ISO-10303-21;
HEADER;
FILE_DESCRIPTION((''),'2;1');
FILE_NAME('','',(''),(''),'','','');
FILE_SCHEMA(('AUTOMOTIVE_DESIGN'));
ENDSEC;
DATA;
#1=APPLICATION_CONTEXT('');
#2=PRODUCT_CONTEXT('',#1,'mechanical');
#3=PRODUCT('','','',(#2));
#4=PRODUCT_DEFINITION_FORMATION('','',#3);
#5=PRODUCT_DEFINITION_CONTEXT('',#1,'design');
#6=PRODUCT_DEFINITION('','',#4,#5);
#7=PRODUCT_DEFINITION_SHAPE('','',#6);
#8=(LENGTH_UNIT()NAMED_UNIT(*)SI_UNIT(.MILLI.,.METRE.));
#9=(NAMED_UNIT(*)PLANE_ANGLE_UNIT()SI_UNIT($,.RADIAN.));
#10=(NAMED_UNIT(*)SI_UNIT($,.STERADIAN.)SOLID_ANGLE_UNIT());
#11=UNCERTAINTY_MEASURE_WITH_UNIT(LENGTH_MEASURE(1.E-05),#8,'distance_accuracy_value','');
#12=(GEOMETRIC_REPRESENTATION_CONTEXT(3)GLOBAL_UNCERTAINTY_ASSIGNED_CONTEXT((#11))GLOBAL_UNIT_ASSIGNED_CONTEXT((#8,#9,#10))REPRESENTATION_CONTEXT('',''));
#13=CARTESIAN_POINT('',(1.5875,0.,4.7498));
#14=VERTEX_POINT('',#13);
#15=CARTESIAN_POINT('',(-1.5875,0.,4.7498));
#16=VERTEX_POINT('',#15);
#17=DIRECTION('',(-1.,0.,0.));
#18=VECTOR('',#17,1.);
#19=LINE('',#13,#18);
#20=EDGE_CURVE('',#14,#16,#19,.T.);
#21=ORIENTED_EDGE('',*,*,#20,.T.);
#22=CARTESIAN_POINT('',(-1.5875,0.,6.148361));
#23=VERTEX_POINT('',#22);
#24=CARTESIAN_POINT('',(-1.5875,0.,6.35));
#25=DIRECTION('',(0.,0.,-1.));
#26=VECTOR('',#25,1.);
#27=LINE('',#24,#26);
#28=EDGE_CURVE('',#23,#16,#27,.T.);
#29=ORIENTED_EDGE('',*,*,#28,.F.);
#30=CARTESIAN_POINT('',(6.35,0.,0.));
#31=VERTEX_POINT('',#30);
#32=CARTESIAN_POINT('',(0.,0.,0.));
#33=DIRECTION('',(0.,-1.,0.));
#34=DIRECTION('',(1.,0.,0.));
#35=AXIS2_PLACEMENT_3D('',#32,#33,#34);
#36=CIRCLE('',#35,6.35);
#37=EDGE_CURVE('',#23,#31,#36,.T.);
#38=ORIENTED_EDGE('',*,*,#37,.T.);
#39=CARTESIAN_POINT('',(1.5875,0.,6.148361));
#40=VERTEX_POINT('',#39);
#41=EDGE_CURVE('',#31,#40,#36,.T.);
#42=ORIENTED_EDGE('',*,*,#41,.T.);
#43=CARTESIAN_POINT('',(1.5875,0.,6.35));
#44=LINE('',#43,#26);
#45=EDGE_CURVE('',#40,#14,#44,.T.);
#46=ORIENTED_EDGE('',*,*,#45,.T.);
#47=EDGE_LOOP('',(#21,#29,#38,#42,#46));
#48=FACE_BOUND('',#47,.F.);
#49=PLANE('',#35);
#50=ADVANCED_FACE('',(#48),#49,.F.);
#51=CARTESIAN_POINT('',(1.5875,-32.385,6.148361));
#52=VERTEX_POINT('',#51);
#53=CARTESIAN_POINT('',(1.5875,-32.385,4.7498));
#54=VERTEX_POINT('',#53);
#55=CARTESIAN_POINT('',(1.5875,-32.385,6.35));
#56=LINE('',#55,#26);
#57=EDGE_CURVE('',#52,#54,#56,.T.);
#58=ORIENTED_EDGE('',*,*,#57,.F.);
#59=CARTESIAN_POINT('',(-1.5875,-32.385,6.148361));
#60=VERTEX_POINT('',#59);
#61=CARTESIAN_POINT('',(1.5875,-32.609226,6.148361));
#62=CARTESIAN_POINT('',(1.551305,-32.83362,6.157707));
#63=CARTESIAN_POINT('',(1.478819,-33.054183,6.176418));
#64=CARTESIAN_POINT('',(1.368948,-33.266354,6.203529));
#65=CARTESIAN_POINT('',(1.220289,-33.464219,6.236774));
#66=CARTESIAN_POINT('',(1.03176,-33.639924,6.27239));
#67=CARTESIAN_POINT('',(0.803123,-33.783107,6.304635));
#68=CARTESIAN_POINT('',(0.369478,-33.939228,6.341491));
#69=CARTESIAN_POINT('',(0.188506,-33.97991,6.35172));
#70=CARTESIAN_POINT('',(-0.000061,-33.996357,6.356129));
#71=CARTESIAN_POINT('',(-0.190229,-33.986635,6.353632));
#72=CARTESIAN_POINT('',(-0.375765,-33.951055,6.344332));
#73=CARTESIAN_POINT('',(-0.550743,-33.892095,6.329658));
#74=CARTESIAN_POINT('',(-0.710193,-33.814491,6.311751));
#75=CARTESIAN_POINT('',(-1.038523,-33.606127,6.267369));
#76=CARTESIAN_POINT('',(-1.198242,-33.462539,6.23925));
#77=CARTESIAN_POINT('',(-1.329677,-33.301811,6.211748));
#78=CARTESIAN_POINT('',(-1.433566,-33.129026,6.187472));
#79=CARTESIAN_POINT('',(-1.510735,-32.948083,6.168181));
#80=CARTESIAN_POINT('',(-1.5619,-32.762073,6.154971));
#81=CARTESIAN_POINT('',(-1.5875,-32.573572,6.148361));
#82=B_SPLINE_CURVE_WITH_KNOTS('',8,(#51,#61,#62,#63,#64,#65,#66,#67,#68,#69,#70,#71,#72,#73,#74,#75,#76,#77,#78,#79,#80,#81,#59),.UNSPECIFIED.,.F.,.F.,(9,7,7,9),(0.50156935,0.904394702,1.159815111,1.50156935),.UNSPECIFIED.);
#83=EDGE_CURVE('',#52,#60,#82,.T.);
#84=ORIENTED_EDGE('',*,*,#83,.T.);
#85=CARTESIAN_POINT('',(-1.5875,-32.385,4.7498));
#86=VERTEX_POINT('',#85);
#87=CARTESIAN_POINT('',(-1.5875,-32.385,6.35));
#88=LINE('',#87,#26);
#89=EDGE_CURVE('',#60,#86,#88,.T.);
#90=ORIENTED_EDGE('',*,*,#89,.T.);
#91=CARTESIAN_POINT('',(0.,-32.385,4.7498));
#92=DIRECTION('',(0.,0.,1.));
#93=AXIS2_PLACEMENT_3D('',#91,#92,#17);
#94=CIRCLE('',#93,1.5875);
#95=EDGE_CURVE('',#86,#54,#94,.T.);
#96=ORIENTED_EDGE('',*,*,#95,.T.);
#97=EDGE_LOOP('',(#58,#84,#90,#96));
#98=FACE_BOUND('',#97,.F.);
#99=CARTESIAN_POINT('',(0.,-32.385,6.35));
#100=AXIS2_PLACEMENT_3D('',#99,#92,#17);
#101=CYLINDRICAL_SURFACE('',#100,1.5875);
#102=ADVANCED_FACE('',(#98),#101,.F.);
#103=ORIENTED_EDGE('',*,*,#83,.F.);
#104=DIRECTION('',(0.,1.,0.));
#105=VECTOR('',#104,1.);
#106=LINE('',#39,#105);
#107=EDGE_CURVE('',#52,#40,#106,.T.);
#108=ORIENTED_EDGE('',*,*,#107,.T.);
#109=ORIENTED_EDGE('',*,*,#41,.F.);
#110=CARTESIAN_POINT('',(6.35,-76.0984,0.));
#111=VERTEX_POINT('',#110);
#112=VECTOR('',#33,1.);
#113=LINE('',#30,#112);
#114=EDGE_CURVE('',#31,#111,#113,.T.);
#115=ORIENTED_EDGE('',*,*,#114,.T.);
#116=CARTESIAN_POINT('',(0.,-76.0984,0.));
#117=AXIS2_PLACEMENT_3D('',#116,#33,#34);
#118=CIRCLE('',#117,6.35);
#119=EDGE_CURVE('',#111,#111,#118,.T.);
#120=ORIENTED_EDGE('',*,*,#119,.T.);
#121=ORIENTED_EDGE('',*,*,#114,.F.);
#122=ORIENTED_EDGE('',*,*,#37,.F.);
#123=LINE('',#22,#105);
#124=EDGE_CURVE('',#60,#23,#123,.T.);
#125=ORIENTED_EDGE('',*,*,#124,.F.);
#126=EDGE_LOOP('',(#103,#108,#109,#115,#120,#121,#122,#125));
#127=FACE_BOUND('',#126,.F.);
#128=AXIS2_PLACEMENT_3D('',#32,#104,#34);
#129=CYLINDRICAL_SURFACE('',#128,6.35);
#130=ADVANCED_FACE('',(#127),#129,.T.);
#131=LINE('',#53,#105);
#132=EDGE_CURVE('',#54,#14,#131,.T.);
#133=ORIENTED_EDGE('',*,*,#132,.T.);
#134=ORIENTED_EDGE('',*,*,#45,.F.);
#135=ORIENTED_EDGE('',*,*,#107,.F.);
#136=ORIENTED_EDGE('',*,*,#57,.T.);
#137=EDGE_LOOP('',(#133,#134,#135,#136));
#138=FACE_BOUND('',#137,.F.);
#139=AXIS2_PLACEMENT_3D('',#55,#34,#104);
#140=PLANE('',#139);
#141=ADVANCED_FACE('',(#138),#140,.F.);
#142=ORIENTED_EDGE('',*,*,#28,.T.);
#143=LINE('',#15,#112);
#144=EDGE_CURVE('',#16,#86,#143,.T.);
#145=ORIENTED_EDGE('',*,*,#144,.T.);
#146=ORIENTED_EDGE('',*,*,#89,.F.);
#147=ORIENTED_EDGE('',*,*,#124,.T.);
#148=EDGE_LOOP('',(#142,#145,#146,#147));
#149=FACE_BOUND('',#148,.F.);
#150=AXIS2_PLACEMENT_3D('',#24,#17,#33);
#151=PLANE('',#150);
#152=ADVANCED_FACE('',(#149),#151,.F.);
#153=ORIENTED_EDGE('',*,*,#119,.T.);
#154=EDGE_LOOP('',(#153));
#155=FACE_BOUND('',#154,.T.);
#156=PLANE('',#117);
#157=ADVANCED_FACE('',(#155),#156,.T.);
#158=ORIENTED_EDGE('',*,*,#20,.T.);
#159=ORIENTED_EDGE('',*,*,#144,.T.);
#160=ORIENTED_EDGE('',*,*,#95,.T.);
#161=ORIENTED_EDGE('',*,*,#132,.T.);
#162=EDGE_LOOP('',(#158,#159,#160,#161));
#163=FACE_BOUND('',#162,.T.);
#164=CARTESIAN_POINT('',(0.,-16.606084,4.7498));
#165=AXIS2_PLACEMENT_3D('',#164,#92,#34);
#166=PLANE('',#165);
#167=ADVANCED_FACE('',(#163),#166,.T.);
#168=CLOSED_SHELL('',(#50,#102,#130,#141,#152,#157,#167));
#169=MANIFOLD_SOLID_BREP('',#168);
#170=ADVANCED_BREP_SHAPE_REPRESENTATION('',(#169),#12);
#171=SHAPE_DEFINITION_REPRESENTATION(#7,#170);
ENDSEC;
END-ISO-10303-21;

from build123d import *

# Parameters (mm, degrees)
F0_R     = 6.35
F1_DEPTH = 76.0984
F4_DEPTH = 1.6002


with BuildPart() as f1:
    # F0 (on Front) → F1 (new body)
    with BuildSketch(Plane.XZ):
        Circle(F0_R)
    extrude(amount=F1_DEPTH)

    # F3 (on offset) → F4 (cut)
    with BuildSketch(Plane.XY.offset(6.35)):
        with BuildLine():
            Line((-1.5875, 0), (-1.5875, -32.385))
            ThreePointArc((-1.5875, -32.385), (0, -33.9725), (1.5875, -32.385))
            Line((1.5875, -32.385), (1.5875, 0))
            Line((1.5875, 0), (-1.5875, 0))
        make_face()
    extrude(amount=-F4_DEPTH, mode=Mode.SUBTRACT)


solid = f1.part
